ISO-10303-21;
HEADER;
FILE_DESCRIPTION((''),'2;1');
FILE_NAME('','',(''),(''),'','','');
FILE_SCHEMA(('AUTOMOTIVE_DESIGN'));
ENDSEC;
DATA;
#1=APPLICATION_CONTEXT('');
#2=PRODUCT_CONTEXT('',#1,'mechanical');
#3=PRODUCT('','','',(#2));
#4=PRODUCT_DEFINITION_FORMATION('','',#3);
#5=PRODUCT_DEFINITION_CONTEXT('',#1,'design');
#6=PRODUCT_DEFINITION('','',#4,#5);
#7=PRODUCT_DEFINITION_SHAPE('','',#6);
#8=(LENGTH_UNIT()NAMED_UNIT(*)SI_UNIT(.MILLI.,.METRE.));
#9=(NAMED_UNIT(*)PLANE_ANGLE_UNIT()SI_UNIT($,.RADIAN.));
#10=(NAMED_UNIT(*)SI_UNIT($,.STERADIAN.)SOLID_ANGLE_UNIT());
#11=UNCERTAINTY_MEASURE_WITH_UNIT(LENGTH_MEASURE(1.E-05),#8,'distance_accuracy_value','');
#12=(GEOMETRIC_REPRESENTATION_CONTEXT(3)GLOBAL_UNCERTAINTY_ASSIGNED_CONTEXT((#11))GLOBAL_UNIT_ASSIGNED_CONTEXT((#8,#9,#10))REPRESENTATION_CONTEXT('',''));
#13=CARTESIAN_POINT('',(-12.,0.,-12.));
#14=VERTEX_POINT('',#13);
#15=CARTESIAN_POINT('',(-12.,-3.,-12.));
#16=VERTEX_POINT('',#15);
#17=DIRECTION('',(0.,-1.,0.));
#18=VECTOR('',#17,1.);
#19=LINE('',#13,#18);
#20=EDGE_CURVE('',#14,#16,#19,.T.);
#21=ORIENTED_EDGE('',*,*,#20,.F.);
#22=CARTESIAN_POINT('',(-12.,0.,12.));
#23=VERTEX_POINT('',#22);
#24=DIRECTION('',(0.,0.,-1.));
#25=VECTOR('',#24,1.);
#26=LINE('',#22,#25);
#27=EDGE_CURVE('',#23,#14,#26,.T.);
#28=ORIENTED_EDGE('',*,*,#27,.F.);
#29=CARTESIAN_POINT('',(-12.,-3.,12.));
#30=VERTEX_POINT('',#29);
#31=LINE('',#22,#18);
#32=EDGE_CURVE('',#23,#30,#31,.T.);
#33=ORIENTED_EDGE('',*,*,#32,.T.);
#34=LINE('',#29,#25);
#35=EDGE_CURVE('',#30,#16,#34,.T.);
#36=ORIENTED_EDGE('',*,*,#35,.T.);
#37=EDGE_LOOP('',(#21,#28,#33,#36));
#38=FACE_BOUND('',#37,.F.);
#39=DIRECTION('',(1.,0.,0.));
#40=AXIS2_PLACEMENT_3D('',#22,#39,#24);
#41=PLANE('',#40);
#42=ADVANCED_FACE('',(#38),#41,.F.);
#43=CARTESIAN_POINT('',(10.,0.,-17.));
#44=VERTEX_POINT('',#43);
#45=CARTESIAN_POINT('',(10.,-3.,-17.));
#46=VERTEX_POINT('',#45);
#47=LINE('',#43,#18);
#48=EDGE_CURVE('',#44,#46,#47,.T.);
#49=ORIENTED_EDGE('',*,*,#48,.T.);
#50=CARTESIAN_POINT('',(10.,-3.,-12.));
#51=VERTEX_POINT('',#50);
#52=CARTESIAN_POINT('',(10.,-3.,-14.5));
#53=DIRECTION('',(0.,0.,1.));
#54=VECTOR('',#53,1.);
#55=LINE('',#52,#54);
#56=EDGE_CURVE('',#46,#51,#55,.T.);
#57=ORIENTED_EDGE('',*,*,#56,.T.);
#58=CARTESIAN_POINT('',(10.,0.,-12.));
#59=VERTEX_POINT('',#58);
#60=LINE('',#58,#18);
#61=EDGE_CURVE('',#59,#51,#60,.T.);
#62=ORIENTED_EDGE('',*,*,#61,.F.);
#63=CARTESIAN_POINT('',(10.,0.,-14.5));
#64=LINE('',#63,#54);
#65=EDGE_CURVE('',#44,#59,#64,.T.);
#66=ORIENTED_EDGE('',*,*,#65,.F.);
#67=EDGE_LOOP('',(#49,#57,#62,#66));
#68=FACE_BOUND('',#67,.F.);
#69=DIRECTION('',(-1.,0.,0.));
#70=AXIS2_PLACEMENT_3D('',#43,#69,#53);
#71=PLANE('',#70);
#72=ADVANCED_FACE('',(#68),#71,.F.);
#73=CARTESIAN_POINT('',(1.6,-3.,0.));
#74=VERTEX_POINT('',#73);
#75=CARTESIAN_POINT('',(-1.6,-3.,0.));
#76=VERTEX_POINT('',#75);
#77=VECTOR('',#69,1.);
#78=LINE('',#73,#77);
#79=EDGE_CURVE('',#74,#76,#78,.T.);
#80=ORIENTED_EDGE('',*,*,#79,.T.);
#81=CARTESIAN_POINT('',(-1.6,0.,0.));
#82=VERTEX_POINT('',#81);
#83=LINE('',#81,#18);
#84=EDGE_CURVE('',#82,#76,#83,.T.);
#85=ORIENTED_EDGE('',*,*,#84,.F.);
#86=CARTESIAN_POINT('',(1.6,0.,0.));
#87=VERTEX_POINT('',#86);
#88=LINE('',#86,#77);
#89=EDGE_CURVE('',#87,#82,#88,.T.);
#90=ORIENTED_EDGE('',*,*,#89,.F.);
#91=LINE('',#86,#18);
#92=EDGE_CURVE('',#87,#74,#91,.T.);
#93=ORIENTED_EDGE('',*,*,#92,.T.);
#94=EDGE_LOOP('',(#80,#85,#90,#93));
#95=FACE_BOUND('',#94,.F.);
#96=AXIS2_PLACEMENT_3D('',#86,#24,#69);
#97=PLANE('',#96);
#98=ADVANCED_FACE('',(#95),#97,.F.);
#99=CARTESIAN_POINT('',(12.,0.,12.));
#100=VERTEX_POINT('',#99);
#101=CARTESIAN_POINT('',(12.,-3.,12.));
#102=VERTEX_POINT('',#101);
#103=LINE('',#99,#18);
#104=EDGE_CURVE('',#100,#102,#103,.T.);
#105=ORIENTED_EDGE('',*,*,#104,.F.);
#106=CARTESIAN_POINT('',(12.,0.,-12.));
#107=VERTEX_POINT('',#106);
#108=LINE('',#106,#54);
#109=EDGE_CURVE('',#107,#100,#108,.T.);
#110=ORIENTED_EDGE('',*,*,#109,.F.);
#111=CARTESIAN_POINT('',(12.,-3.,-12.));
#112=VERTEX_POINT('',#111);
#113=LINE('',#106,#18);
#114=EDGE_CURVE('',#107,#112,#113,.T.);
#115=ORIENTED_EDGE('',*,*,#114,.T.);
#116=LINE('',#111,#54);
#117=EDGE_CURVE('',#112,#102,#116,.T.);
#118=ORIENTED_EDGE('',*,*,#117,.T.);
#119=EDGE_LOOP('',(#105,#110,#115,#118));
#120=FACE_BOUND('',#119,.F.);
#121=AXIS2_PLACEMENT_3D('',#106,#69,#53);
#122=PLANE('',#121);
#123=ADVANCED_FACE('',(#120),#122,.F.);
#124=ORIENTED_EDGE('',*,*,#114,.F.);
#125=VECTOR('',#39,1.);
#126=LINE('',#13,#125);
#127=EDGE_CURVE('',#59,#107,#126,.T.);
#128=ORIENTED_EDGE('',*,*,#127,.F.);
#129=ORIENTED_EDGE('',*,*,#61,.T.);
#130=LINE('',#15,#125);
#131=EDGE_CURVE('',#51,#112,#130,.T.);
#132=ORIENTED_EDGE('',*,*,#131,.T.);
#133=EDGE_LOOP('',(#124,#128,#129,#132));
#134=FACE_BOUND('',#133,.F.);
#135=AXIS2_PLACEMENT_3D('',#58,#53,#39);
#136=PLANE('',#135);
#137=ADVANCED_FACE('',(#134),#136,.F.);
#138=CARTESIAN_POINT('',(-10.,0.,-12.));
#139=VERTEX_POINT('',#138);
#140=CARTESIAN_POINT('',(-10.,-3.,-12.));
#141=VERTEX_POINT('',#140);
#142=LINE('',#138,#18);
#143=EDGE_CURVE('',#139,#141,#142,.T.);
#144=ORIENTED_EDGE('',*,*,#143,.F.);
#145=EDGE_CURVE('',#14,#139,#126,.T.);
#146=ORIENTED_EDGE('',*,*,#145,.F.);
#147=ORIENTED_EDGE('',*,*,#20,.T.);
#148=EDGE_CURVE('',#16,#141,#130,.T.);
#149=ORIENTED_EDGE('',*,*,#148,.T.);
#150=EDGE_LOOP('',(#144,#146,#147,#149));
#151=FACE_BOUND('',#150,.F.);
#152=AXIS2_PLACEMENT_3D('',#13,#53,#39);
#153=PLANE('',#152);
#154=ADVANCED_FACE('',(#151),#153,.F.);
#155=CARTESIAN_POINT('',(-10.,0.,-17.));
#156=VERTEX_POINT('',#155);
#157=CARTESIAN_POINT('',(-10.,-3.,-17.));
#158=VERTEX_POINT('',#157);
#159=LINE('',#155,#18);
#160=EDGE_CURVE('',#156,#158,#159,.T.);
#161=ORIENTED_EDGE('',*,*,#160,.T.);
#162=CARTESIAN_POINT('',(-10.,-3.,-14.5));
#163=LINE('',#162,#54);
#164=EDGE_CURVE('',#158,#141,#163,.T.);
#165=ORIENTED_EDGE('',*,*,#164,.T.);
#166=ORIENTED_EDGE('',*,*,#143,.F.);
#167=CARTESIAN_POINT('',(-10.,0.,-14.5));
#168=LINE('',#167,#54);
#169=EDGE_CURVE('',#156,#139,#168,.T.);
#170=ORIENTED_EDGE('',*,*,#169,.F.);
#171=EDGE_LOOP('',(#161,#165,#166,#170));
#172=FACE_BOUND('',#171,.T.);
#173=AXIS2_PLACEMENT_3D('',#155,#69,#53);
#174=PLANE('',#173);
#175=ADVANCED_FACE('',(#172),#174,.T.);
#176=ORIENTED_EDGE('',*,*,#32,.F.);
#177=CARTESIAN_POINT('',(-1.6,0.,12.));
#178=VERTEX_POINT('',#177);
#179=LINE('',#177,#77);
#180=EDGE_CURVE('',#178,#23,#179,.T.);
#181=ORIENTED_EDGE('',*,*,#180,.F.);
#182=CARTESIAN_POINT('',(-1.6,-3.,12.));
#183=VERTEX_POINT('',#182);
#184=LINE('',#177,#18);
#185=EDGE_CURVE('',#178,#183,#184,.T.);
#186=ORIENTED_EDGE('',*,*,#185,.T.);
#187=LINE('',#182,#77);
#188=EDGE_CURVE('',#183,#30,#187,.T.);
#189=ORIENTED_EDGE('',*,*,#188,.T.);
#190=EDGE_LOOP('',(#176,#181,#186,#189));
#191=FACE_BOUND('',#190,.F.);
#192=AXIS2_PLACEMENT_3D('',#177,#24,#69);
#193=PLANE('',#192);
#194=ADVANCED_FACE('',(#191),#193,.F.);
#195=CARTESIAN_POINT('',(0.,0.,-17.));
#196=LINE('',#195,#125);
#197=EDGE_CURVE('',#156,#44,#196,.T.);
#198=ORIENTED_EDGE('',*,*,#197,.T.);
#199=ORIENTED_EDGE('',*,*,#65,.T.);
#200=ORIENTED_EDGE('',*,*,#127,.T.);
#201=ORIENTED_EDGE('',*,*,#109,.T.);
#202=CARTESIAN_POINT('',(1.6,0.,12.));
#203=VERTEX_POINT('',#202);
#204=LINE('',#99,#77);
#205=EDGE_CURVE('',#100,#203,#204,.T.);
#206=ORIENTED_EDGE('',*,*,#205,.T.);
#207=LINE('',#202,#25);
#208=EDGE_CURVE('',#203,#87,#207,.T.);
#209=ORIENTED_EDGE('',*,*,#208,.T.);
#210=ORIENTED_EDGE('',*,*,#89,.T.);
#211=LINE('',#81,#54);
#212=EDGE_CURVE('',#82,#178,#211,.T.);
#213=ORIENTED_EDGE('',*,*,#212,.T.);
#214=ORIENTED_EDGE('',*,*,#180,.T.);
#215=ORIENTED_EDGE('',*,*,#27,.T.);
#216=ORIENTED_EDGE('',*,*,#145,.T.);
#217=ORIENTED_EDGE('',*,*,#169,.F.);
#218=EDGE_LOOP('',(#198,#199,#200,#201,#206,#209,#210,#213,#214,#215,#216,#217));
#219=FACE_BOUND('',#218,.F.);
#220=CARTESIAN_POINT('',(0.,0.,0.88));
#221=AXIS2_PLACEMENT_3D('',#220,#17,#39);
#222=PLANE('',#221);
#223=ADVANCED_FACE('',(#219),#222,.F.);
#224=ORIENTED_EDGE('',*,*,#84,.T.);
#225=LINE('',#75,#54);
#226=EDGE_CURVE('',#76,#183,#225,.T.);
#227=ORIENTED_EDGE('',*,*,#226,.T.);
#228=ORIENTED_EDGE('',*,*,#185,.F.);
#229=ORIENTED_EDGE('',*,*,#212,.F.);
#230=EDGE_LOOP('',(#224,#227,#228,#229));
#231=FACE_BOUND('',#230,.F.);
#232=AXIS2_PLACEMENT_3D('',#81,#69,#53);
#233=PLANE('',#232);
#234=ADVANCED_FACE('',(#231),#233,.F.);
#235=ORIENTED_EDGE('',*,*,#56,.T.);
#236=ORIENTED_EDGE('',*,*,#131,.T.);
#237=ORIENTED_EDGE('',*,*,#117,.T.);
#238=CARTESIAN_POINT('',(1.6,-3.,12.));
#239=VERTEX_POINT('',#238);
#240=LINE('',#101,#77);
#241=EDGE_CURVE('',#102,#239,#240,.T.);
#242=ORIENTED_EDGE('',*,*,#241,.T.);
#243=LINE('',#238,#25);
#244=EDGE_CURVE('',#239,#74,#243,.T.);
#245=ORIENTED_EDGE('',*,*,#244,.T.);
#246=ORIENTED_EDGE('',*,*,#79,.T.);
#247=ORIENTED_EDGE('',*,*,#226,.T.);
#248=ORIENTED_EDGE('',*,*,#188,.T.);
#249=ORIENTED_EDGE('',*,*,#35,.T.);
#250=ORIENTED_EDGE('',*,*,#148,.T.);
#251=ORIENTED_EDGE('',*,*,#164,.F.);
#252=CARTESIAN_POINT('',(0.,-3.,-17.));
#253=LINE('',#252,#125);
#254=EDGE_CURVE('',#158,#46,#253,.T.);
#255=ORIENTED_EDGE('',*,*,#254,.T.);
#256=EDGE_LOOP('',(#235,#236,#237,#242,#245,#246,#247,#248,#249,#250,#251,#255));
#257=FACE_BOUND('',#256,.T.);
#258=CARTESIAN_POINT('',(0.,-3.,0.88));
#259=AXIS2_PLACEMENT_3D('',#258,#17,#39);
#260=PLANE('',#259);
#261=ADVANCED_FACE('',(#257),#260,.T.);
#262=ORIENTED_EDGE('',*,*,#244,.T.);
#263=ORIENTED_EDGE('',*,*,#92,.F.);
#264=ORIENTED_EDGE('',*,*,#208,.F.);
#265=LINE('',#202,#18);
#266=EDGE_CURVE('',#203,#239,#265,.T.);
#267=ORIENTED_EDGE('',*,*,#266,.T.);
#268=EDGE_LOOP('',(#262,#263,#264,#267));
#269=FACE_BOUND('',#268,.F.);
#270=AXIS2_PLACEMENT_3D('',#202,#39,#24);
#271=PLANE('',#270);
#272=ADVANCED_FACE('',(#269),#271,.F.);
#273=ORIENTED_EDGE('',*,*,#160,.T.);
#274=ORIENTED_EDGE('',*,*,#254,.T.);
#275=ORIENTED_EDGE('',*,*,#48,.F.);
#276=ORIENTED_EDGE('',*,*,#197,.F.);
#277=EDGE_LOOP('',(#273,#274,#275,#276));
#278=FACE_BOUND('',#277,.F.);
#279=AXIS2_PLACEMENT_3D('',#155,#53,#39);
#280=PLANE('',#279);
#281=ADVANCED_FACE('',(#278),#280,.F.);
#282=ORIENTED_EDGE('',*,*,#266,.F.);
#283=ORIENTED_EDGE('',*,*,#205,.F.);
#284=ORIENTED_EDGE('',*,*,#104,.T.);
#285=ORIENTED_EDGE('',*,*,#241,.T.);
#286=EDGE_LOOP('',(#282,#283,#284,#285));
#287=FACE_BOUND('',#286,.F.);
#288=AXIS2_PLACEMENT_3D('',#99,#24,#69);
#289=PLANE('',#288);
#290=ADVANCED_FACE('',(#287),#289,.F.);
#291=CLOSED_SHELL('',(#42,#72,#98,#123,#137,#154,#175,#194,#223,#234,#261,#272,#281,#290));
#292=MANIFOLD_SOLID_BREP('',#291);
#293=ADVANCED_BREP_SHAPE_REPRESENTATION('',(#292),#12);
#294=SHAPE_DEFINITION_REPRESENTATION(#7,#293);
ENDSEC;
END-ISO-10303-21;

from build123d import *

# Parameters (mm, degrees)
F0_W     = 20
F0_H     = 5
F1_DEPTH = 3


with BuildPart() as f1:
    # F0 (on Front) → F1 (new body)
    with BuildSketch(Plane.XZ):
        Polygon((-12, 12), (-12, -12), (-10, -12), (10, -12), (12, -12), (12, 12), (1.6, 12), (1.6, 0), (-1.6, 0), (-1.6, 12), align=None)
        with Locations((0, -14.5)):
            Rectangle(F0_W, F0_H)
    extrude(amount=F1_DEPTH)


solid = f1.part
